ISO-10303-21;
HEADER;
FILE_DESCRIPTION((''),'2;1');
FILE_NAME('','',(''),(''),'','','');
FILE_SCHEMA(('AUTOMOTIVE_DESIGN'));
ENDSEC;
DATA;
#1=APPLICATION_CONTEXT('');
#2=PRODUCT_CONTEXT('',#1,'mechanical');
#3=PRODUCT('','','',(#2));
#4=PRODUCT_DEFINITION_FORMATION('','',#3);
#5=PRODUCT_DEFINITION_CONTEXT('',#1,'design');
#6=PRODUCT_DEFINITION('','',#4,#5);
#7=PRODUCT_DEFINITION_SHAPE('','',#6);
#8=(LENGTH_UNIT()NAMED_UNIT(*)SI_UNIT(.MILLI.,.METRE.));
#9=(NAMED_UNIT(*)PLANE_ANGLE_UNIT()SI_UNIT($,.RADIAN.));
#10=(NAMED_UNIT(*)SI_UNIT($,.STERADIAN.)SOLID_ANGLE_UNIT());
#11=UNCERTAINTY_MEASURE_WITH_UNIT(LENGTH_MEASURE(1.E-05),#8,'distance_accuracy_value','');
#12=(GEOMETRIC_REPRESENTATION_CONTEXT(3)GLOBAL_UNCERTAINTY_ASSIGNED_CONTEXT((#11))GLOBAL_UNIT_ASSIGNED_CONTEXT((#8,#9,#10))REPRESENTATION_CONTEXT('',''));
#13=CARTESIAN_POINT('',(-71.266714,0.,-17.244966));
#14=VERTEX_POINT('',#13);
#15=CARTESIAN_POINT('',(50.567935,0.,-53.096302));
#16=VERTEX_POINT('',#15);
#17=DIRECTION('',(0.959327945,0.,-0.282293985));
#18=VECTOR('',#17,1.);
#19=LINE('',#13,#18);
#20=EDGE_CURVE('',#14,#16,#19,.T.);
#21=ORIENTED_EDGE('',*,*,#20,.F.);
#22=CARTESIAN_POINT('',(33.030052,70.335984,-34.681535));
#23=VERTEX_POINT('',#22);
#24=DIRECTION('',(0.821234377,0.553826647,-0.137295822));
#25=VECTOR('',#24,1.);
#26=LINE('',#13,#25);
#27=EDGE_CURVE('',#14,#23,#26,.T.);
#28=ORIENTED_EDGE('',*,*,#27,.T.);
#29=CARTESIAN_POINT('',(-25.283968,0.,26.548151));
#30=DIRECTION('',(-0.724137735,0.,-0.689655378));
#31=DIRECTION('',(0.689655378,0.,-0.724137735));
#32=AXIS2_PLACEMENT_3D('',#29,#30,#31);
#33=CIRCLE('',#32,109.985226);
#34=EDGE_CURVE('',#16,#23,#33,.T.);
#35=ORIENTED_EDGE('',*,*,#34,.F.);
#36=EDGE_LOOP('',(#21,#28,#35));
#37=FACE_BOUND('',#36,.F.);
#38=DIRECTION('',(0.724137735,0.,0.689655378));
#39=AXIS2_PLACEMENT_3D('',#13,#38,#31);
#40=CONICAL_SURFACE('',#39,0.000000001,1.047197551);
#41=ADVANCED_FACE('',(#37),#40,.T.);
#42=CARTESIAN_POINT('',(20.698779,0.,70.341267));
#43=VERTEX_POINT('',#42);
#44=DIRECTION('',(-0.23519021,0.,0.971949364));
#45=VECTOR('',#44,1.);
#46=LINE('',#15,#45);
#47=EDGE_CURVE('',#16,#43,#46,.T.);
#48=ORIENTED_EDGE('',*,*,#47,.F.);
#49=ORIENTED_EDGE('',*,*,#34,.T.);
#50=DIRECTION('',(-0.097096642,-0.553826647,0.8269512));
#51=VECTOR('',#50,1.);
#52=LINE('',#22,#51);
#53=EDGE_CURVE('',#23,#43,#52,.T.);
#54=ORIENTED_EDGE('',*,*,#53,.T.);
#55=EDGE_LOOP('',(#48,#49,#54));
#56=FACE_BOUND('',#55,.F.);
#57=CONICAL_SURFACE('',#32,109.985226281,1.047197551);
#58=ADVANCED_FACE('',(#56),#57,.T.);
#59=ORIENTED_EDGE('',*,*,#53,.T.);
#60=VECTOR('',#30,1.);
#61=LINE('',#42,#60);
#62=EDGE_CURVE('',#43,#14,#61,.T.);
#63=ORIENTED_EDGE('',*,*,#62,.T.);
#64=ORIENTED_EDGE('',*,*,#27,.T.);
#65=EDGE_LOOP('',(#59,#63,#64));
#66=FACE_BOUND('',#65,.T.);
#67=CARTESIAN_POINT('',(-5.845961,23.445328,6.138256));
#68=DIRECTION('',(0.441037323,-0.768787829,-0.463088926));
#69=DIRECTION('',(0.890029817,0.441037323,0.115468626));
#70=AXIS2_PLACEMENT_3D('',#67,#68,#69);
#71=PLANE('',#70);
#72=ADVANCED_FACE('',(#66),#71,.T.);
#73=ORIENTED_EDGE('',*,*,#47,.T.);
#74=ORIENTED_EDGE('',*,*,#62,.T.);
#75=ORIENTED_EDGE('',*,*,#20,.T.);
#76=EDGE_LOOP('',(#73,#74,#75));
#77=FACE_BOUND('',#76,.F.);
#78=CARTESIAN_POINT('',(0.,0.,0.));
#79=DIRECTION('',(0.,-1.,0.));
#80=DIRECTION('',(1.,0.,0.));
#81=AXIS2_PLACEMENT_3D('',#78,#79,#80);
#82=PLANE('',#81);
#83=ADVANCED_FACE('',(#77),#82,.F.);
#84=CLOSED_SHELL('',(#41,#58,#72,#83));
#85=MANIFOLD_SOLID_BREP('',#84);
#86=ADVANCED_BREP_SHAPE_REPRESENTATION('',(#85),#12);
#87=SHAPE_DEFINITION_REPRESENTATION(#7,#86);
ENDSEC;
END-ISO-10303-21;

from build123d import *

# Parameters (mm, degrees)
F1_ANGLE = 320.2451613994


with BuildPart() as f1:
    # F0 (on Front) → F1 (revolve)
    with BuildSketch(Plane.XZ):
        Polygon((20.6987785704, 70.3412673971), (-71.2667137855, -17.2449656293), (50.5679352151, -53.0963017678), align=None)
    revolve(axis=Axis((-25.2839676075, 0, 26.5481508839), (-0.7241377351, 0, -0.6896553782)), revolution_arc=F1_ANGLE)


solid = f1.part
